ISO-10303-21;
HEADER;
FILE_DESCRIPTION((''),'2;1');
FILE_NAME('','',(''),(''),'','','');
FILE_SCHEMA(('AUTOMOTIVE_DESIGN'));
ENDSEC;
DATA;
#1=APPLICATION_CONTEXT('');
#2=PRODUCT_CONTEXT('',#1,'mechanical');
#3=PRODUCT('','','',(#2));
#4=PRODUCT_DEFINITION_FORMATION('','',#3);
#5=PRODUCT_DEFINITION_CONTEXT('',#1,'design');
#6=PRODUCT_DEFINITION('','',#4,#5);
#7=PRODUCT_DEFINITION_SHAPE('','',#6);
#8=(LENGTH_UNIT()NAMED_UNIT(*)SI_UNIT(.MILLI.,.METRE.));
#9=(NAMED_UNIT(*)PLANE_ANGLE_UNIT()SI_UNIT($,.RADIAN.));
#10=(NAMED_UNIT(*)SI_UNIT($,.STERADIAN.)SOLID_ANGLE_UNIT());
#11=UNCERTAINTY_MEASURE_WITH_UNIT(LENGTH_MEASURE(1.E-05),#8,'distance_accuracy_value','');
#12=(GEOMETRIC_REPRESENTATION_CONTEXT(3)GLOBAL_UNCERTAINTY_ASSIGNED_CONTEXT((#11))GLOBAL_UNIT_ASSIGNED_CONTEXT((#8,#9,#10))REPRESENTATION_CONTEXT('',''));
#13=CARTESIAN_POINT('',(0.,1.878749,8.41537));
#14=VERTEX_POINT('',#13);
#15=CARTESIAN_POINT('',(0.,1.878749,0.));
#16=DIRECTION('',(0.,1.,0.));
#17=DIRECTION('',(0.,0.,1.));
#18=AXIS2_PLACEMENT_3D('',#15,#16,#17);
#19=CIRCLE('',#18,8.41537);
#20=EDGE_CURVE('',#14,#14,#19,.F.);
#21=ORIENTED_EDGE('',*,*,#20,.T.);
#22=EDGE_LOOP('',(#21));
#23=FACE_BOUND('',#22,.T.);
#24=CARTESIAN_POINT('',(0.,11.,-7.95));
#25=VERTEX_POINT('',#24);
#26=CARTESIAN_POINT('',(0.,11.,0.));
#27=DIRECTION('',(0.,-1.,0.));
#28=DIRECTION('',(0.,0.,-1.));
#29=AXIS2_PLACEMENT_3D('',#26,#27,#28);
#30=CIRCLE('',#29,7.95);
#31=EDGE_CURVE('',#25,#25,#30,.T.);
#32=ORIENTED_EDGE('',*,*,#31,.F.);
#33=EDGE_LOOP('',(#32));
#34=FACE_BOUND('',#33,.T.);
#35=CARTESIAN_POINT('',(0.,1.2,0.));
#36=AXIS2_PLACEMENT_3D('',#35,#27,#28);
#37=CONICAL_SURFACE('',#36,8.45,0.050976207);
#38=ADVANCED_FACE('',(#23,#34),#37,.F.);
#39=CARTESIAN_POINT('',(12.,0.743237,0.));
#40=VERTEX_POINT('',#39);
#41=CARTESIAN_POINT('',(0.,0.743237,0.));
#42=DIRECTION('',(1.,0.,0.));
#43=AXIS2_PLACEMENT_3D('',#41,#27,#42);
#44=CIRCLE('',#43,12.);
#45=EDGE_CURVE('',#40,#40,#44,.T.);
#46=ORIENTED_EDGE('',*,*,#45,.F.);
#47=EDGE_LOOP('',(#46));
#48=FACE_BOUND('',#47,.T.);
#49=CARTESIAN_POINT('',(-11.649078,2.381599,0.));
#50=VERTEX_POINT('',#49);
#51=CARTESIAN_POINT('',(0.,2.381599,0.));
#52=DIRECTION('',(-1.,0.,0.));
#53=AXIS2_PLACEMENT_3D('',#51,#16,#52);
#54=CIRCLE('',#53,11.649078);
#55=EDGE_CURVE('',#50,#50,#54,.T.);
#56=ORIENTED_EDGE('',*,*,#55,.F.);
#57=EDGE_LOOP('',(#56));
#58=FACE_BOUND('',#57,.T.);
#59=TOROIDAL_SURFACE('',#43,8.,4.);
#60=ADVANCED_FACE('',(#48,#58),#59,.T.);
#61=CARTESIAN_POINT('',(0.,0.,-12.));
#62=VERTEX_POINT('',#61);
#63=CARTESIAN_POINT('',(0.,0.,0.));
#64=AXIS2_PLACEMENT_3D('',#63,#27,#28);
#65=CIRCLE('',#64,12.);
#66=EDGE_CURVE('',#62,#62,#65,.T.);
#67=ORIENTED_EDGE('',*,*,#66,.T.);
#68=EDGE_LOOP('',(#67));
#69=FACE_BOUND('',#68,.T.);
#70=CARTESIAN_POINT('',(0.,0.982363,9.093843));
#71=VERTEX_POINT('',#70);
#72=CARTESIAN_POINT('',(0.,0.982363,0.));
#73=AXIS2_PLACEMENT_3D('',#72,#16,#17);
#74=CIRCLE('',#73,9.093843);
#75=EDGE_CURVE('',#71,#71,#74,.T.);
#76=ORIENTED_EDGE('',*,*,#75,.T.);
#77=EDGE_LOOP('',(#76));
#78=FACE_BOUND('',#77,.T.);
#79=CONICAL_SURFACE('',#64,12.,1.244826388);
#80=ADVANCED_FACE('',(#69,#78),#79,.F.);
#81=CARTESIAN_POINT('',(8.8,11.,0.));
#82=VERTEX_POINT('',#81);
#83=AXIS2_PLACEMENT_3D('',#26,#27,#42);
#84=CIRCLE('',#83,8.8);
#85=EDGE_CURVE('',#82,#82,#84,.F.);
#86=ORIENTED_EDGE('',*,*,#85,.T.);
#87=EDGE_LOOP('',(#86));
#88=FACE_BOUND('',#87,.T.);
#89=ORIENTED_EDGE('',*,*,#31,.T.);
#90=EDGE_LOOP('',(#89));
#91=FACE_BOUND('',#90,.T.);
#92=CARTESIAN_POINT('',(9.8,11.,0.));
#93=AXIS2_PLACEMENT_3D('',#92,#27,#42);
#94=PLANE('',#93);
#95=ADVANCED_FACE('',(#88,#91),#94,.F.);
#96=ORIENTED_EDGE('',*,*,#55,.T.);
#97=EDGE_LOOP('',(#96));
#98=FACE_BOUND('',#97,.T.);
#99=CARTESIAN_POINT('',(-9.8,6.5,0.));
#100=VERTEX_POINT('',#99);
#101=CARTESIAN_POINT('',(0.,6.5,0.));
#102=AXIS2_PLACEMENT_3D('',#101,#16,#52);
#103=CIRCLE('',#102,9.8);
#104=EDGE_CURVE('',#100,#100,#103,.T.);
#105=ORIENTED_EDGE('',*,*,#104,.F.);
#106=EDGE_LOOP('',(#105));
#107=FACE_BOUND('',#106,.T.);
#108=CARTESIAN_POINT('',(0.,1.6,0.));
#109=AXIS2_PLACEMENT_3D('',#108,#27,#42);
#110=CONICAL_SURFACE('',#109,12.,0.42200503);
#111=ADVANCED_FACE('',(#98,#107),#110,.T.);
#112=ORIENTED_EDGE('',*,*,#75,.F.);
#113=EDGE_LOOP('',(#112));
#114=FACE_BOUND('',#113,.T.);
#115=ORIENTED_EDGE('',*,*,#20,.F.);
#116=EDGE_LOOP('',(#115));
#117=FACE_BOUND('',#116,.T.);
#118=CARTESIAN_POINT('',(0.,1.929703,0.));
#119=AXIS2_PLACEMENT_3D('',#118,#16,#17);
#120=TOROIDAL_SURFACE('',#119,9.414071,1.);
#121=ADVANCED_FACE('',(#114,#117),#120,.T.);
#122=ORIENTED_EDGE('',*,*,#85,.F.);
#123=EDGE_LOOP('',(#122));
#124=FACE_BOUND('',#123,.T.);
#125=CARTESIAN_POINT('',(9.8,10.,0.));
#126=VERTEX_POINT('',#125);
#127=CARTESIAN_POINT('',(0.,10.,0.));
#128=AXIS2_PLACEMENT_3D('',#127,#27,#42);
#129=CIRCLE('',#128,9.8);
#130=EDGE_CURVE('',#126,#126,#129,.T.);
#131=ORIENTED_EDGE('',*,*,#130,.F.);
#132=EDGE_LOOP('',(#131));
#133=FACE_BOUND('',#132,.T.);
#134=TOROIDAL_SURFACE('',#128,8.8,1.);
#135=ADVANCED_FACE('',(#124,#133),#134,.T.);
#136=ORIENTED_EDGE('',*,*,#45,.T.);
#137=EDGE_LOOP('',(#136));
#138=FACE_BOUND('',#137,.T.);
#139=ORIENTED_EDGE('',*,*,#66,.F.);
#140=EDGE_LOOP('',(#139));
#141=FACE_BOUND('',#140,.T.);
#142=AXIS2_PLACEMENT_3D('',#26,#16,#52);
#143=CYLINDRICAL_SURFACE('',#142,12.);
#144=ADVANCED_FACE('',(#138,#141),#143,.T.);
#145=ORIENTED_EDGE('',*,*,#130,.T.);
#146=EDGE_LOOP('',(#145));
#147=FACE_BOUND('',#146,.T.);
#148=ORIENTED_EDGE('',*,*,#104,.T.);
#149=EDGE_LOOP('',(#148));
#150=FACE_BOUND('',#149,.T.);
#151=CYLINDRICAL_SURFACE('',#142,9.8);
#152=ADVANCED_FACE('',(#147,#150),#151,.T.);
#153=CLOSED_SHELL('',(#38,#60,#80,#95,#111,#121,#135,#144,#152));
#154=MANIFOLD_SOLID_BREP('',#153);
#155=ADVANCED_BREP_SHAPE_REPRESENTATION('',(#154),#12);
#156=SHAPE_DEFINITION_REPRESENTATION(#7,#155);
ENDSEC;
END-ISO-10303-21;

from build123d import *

# Parameters (mm, degrees)
FILLET1_R = 1
FILLET2_R = 1
FILLET3_R = 4


with BuildPart() as part:
    # Sketch2 → Revolve1 (revolve)
    with BuildSketch(Plane.XY, mode=Mode.PRIVATE) as revolve1_sk:
        Polygon((0, 0), (12, 0), (12, 1.6), (9.8, 6.5), (9.8, 11), (0, 11), align=None)
    revolve(revolve1_sk.sketch.rotate(Axis((0, 11, 0), (0, -1, 0)), 180), axis=Axis((0, 11, 0), (0, -1, 0)))

    # Sketch4 → Cut-Revolve1 (revolve, cut)
    with BuildSketch(Plane.XY, mode=Mode.PRIVATE) as cut_revolve1_sk:
        Polygon((0, 0), (0, 11), (7.95, 11), (8.45, 1.2), (12, 0), align=None)
    revolve(cut_revolve1_sk.sketch.rotate(Axis((0, 0, 0), (0, 1, 0)), 90), axis=Axis((0, 0, 0), (0, 1, 0)), mode=Mode.SUBTRACT)

    # Fillet1
    fillet1_edges = [part.edges().sort_by_distance(p)[0] for p in [
        (9.8, 11, 0),
    ]]
    fillet(fillet1_edges, radius=FILLET1_R)

    # Fillet2
    fillet2_edges = [part.edges().sort_by_distance(p)[0] for p in [
        (0, 1.2, 8.45),
    ]]
    fillet(fillet2_edges, radius=FILLET2_R)

    # Fillet3
    fillet3_edges = [part.edges().sort_by_distance(p)[0] for p in [
        (12, 1.6, 0),
    ]]
    fillet(fillet3_edges, radius=FILLET3_R)


solid = part.part
